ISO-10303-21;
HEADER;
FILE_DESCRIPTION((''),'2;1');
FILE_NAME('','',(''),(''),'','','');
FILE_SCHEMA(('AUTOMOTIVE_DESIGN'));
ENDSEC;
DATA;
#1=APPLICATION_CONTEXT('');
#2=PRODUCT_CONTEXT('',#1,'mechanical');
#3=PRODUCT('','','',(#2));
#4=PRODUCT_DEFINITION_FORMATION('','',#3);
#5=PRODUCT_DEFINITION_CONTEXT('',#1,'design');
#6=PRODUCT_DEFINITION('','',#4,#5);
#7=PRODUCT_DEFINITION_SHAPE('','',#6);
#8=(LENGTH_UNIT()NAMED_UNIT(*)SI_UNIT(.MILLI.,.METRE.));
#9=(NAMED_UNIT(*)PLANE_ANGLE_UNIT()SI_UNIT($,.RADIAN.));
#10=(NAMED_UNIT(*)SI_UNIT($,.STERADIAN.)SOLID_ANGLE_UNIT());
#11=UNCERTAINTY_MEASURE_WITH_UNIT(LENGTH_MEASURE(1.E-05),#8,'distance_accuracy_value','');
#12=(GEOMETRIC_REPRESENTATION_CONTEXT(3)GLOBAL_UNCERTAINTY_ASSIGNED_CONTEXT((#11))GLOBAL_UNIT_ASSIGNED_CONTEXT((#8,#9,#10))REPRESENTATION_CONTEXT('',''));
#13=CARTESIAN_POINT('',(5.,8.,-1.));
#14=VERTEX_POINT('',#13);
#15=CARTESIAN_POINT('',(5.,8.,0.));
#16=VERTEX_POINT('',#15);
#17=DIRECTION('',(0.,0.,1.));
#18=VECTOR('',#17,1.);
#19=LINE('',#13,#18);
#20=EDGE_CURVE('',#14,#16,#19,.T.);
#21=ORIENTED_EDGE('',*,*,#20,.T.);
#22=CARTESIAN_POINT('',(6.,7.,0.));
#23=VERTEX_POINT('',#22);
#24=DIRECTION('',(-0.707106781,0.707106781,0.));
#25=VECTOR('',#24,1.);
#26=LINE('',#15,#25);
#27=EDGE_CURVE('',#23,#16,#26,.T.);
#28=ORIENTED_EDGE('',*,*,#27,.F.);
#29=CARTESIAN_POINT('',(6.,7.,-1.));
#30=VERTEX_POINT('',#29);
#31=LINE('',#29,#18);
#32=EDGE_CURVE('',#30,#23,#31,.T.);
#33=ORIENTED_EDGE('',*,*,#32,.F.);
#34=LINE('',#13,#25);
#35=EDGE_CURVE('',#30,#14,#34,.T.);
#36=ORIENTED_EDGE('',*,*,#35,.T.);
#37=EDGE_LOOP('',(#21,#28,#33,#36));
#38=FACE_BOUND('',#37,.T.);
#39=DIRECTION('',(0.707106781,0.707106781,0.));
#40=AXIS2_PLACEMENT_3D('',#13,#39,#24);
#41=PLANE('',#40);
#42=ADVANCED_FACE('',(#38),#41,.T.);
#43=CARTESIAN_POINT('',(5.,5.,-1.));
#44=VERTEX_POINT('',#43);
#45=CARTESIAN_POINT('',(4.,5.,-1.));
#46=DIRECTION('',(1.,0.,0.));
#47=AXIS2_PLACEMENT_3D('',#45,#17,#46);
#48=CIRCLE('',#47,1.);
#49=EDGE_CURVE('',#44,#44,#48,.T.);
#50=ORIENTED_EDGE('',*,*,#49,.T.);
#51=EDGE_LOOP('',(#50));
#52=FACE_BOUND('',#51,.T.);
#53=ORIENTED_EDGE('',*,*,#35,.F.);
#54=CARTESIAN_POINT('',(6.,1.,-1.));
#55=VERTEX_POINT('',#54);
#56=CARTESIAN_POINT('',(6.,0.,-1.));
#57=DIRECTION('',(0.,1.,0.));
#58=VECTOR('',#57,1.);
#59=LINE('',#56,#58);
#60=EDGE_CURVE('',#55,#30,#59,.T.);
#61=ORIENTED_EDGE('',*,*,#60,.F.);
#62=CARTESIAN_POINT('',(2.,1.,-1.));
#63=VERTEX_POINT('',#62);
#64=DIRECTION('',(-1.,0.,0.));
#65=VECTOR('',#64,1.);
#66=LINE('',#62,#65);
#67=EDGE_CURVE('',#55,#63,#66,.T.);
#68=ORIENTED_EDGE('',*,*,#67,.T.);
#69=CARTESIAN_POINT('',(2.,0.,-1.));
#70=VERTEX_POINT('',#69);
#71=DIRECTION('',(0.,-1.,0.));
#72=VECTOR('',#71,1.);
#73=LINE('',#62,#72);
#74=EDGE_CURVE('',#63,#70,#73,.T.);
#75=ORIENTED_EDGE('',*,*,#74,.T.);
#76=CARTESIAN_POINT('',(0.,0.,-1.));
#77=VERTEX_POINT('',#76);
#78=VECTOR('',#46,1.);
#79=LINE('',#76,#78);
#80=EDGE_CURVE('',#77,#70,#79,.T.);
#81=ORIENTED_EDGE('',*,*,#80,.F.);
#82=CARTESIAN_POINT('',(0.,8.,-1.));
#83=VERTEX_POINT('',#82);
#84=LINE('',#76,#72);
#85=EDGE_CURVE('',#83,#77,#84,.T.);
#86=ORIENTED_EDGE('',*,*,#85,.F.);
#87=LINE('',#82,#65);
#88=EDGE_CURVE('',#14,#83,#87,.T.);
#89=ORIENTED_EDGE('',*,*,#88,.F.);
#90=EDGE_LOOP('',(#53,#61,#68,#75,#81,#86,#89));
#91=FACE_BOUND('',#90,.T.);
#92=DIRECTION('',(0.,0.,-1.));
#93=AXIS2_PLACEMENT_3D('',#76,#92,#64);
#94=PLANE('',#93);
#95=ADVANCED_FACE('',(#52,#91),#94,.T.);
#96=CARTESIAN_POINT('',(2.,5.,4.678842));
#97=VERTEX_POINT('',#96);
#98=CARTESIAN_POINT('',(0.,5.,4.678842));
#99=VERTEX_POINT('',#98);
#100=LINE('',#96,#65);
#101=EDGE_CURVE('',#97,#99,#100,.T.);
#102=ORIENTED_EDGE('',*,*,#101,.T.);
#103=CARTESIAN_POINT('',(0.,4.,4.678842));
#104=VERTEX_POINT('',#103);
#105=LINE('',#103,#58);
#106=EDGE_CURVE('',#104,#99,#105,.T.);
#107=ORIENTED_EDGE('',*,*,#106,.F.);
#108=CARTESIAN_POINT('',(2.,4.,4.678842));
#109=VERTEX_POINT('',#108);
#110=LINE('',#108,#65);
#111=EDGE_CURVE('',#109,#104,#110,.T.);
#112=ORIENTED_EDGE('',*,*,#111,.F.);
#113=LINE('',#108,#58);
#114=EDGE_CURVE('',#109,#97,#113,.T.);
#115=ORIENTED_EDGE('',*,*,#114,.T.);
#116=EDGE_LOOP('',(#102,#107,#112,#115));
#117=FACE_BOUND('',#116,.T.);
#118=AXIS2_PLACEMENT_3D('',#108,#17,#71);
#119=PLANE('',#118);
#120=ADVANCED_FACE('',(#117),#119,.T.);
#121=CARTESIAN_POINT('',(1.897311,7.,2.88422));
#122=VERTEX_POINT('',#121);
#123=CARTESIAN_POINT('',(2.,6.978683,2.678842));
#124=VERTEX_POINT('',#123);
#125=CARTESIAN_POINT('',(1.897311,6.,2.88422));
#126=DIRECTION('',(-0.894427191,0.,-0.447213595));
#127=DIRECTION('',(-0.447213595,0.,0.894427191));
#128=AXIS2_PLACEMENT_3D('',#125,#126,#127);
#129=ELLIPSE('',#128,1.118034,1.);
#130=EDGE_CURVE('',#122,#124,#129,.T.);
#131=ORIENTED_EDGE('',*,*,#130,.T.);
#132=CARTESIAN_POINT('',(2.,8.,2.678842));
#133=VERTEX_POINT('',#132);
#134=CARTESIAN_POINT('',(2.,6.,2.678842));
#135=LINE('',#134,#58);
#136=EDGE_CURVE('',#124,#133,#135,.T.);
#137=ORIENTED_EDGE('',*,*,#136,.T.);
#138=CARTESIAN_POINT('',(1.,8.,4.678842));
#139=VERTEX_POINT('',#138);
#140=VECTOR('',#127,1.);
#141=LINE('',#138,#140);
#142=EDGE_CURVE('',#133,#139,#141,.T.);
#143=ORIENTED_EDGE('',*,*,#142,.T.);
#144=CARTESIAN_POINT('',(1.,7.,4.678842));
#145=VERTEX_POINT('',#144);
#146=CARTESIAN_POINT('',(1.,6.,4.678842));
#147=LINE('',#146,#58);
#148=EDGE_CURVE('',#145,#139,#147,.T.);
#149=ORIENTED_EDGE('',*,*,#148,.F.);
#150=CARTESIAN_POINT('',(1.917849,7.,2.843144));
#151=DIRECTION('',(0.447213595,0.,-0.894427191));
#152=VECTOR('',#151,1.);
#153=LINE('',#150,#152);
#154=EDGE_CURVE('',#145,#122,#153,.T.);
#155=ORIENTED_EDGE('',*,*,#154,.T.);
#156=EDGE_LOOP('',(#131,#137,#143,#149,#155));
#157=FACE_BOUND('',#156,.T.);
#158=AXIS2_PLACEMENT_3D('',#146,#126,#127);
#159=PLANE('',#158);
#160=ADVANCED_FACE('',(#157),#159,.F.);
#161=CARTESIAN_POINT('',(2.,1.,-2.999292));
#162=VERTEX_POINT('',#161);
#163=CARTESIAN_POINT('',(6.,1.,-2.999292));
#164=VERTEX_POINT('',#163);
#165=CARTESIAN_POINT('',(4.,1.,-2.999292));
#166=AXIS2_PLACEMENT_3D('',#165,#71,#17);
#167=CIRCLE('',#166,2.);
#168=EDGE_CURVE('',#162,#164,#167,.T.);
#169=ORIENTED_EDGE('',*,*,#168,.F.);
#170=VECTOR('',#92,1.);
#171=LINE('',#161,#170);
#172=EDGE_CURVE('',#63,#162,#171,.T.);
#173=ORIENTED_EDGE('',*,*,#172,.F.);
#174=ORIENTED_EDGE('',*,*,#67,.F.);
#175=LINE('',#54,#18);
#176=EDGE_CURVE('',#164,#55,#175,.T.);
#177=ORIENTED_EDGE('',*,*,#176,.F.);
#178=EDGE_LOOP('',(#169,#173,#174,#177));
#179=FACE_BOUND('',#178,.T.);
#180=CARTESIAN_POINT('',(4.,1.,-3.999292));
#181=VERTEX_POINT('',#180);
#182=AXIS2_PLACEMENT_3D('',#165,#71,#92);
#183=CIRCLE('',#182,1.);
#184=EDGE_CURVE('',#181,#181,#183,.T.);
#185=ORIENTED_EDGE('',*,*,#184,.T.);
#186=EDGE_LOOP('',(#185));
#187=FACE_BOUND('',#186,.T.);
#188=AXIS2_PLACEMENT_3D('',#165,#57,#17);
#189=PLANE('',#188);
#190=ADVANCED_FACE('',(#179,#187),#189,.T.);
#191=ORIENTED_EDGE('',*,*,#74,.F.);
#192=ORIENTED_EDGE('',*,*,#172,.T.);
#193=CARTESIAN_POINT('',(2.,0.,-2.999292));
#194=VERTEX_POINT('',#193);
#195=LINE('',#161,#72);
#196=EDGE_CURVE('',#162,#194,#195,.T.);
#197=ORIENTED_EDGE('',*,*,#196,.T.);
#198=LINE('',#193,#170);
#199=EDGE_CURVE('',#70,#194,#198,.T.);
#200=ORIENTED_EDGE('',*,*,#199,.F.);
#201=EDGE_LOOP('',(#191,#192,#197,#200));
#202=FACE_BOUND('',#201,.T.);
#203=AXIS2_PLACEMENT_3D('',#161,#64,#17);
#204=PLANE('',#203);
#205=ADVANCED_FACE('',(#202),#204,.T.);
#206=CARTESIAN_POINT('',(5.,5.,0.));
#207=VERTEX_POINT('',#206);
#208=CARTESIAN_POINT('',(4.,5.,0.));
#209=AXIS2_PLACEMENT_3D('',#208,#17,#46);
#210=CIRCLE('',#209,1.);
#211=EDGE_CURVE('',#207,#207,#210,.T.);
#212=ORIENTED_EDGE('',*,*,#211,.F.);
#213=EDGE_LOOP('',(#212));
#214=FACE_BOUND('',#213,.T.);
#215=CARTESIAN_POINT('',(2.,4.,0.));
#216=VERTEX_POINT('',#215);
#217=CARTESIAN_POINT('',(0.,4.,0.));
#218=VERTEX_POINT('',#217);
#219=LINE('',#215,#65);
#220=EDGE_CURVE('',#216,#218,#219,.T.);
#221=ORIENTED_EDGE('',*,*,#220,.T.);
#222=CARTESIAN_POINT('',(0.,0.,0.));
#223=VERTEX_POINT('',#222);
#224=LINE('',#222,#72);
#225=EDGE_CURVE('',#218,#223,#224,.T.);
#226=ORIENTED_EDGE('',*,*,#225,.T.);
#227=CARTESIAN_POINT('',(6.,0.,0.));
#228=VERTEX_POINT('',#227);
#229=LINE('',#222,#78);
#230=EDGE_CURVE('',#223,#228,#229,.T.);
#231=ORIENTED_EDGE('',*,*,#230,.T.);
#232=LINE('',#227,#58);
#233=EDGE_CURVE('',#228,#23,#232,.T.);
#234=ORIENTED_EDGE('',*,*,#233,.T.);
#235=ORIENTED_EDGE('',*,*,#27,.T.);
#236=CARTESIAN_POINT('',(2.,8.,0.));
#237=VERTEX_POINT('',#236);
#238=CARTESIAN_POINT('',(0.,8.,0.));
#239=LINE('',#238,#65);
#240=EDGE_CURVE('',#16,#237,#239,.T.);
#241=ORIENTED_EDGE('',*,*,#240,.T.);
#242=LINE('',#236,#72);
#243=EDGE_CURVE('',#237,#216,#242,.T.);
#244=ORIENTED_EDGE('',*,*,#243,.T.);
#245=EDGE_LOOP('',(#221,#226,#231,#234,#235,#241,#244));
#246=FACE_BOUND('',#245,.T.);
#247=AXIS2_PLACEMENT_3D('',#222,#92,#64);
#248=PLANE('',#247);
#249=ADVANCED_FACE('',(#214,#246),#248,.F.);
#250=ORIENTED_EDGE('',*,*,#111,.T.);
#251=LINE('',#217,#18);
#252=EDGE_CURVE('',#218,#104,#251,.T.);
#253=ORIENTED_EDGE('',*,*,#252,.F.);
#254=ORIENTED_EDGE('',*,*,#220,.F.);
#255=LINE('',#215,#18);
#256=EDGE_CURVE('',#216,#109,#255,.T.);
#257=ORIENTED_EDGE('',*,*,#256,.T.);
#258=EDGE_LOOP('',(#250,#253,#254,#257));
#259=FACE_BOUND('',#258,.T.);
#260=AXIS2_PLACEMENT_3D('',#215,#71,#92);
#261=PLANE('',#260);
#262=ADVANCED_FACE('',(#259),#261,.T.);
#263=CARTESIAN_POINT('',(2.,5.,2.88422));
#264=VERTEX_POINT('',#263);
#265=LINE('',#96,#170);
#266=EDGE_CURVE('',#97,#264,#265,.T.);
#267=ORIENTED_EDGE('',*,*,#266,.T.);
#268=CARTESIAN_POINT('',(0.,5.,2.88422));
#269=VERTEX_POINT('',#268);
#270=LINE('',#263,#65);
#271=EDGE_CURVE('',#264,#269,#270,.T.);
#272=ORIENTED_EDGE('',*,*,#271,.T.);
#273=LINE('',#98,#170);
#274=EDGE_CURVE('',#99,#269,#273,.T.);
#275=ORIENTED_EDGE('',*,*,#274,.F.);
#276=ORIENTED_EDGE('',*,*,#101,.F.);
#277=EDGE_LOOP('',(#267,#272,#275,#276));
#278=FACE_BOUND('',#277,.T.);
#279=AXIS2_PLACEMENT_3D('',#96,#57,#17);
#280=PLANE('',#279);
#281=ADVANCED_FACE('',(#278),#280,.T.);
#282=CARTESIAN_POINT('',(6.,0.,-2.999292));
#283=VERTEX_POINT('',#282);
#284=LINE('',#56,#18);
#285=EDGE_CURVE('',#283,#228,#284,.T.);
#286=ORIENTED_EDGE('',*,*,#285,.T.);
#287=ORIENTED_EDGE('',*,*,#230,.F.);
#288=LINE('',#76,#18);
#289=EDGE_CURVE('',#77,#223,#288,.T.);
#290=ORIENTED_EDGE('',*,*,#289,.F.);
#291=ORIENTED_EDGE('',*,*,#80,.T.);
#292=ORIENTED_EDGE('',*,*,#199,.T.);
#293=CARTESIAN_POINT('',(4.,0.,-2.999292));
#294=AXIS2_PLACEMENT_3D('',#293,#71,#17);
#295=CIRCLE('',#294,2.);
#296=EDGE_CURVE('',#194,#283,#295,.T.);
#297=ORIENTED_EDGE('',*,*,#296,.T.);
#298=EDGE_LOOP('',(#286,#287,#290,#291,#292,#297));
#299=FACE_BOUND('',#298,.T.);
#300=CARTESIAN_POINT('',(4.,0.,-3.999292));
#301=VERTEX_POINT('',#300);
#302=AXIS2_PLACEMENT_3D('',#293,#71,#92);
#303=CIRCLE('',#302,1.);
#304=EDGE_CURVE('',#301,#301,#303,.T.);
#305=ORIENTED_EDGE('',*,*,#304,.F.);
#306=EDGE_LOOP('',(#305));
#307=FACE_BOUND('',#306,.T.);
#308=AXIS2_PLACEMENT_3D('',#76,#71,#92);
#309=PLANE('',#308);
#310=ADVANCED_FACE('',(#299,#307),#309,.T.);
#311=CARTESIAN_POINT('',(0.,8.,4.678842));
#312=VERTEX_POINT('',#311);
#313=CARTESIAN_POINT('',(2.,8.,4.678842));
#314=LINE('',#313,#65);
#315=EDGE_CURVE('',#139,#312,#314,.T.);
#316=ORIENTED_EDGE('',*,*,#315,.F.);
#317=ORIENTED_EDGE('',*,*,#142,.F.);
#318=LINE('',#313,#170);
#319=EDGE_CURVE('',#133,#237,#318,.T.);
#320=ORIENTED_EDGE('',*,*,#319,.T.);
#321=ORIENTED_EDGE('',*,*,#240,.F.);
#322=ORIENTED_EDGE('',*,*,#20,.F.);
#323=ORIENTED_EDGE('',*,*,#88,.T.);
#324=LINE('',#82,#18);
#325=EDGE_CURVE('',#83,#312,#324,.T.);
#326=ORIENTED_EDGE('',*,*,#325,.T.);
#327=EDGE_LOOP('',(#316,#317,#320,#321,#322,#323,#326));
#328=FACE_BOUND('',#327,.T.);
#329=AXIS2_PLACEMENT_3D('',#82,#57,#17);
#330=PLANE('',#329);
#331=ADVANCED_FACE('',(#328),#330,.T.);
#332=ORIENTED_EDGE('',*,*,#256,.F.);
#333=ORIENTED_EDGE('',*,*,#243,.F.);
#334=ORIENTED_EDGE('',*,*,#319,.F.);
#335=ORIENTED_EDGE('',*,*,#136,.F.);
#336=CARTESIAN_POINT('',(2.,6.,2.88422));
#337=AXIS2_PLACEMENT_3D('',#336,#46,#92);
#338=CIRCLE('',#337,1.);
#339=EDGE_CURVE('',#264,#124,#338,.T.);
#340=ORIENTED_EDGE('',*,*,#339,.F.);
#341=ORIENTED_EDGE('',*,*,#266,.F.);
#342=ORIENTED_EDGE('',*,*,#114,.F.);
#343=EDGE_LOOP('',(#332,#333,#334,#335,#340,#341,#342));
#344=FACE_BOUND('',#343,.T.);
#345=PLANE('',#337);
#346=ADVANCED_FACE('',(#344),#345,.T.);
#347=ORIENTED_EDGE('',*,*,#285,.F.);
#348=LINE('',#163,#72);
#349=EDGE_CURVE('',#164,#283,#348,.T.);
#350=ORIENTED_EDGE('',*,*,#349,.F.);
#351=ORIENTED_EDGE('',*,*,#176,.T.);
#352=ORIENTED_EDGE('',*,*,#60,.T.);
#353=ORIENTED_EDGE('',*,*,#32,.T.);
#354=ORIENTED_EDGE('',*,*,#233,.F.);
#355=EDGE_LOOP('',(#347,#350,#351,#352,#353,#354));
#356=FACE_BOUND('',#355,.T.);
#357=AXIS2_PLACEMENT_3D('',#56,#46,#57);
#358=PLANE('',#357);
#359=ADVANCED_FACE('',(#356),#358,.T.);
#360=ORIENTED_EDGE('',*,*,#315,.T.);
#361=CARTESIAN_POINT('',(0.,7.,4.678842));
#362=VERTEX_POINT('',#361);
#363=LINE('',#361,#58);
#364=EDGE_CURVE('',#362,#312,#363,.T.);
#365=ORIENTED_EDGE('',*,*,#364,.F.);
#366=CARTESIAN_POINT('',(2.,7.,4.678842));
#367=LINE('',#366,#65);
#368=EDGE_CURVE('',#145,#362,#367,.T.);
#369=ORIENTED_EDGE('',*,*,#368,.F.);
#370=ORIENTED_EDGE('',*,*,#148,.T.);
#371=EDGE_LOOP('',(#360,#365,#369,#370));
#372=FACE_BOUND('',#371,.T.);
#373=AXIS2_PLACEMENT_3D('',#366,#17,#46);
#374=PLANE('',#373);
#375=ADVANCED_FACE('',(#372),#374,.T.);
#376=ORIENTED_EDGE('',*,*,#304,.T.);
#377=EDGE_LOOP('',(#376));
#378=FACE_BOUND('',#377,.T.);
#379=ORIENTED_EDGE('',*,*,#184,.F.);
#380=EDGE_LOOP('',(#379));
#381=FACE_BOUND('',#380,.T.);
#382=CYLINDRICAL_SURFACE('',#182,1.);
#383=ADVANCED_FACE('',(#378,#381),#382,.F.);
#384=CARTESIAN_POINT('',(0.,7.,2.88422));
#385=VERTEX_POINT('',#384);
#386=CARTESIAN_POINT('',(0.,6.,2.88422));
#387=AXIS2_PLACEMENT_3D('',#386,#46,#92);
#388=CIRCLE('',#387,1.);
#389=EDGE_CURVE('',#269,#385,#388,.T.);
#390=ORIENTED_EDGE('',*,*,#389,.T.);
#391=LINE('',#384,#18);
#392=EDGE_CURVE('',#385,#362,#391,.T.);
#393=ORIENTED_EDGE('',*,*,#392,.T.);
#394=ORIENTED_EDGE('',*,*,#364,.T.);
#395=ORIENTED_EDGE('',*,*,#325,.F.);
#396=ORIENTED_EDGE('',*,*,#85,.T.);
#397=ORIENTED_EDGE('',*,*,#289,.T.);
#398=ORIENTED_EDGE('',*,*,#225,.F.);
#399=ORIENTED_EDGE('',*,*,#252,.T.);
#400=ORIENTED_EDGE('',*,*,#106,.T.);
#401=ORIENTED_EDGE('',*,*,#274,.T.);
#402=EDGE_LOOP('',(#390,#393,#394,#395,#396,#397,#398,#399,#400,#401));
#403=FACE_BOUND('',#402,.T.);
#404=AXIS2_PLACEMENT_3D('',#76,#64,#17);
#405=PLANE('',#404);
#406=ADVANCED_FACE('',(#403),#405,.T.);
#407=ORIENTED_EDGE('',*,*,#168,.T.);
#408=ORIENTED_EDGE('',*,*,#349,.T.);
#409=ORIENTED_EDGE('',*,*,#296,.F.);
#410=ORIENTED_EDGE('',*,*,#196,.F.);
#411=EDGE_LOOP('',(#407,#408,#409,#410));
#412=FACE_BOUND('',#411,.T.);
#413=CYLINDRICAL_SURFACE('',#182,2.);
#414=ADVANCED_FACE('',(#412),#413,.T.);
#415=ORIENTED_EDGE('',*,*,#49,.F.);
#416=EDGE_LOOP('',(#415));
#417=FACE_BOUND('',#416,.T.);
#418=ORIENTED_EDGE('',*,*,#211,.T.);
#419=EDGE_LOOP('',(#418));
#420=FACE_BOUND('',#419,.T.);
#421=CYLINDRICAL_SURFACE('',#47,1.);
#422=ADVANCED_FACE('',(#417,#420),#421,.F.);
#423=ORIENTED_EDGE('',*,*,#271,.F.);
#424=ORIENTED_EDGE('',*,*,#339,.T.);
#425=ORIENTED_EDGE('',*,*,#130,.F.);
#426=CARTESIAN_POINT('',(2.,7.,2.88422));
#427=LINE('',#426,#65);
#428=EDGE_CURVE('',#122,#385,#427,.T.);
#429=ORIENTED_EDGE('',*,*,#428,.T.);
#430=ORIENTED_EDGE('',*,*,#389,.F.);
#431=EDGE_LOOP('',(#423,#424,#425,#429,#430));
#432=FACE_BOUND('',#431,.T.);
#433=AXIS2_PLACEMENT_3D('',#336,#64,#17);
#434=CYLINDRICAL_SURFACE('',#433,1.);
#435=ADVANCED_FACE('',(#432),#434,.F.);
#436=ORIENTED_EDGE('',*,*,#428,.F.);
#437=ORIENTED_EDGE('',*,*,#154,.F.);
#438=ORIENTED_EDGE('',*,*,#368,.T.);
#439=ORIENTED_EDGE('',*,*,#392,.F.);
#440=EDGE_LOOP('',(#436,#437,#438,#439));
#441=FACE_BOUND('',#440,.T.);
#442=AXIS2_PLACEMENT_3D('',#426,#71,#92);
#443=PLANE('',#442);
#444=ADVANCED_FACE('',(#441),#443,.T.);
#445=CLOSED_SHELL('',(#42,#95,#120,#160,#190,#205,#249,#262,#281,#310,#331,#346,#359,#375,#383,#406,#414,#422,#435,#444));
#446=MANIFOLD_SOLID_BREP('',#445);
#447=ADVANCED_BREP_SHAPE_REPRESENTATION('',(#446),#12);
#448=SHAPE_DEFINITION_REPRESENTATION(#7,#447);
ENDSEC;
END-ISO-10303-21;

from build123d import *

# Parameters (mm, degrees)
SKETCH1_R           = 1
BOSS_EXTRUDE1_DEPTH = 1
SKETCH2_R           = 1
BOSS_EXTRUDE2_DEPTH = 1
BOSS_EXTRUDE3_DEPTH = 2
CUT_EXTRUDE1_DEPTH  = 2


with BuildPart() as part:
    # Sketch1 → Boss-Extrude1 (new body)
    with BuildSketch(Plane.XY):
        Polygon((5, 8), (6, 7), (6, 0), (0, 0), (0, 8), align=None)
        with Locations((4, 5)):
            Circle(SKETCH1_R, mode=Mode.SUBTRACT)
    extrude(amount=-BOSS_EXTRUDE1_DEPTH)

    # Sketch2 → Boss-Extrude2 (add)
    with BuildSketch(Plane.XZ):
        with BuildLine():
            Line((6, -1), (6, -2.999291988))
            ThreePointArc((6, -2.999291988), (4, -4.999291988), (2, -2.999291988))
            Line((2, -2.999291988), (2, -1))
            Line((2, -1), (6, -1))
        make_face()
        with Locations((4, -2.999291988)):
            Circle(SKETCH2_R, mode=Mode.SUBTRACT)
    extrude(amount=-BOSS_EXTRUDE2_DEPTH)

    # Sketch3 → Boss-Extrude3 (add)
    with BuildSketch(Plane.ZY):
        with BuildLine():
            Line((0, 8), (0, 4))
            Line((0, 4), (4.678841552, 4))
            Line((4.678841552, 4), (4.678841552, 5))
            Line((4.678841552, 5), (2.884219665, 5))
            ThreePointArc((2.884219665, 5), (1.884219665, 6), (2.884219665, 7))
            Line((2.884219665, 7), (4.678841552, 7))
            Line((4.678841552, 7), (4.678841552, 8))
            Line((4.678841552, 8), (0, 8))
        make_face()
    extrude(amount=-BOSS_EXTRUDE3_DEPTH)

    # Sketch4 → Cut-Extrude1 (cut)
    with BuildSketch(Plane(origin=(0, 8, 0), x_dir=(1, 0, 0), z_dir=(0, 1, 0))):
        Polygon((1, -4.678841552), (2, -2.678841552), (2, -4.678841552), align=None)
    extrude(amount=-CUT_EXTRUDE1_DEPTH, mode=Mode.SUBTRACT)


solid = part.part
